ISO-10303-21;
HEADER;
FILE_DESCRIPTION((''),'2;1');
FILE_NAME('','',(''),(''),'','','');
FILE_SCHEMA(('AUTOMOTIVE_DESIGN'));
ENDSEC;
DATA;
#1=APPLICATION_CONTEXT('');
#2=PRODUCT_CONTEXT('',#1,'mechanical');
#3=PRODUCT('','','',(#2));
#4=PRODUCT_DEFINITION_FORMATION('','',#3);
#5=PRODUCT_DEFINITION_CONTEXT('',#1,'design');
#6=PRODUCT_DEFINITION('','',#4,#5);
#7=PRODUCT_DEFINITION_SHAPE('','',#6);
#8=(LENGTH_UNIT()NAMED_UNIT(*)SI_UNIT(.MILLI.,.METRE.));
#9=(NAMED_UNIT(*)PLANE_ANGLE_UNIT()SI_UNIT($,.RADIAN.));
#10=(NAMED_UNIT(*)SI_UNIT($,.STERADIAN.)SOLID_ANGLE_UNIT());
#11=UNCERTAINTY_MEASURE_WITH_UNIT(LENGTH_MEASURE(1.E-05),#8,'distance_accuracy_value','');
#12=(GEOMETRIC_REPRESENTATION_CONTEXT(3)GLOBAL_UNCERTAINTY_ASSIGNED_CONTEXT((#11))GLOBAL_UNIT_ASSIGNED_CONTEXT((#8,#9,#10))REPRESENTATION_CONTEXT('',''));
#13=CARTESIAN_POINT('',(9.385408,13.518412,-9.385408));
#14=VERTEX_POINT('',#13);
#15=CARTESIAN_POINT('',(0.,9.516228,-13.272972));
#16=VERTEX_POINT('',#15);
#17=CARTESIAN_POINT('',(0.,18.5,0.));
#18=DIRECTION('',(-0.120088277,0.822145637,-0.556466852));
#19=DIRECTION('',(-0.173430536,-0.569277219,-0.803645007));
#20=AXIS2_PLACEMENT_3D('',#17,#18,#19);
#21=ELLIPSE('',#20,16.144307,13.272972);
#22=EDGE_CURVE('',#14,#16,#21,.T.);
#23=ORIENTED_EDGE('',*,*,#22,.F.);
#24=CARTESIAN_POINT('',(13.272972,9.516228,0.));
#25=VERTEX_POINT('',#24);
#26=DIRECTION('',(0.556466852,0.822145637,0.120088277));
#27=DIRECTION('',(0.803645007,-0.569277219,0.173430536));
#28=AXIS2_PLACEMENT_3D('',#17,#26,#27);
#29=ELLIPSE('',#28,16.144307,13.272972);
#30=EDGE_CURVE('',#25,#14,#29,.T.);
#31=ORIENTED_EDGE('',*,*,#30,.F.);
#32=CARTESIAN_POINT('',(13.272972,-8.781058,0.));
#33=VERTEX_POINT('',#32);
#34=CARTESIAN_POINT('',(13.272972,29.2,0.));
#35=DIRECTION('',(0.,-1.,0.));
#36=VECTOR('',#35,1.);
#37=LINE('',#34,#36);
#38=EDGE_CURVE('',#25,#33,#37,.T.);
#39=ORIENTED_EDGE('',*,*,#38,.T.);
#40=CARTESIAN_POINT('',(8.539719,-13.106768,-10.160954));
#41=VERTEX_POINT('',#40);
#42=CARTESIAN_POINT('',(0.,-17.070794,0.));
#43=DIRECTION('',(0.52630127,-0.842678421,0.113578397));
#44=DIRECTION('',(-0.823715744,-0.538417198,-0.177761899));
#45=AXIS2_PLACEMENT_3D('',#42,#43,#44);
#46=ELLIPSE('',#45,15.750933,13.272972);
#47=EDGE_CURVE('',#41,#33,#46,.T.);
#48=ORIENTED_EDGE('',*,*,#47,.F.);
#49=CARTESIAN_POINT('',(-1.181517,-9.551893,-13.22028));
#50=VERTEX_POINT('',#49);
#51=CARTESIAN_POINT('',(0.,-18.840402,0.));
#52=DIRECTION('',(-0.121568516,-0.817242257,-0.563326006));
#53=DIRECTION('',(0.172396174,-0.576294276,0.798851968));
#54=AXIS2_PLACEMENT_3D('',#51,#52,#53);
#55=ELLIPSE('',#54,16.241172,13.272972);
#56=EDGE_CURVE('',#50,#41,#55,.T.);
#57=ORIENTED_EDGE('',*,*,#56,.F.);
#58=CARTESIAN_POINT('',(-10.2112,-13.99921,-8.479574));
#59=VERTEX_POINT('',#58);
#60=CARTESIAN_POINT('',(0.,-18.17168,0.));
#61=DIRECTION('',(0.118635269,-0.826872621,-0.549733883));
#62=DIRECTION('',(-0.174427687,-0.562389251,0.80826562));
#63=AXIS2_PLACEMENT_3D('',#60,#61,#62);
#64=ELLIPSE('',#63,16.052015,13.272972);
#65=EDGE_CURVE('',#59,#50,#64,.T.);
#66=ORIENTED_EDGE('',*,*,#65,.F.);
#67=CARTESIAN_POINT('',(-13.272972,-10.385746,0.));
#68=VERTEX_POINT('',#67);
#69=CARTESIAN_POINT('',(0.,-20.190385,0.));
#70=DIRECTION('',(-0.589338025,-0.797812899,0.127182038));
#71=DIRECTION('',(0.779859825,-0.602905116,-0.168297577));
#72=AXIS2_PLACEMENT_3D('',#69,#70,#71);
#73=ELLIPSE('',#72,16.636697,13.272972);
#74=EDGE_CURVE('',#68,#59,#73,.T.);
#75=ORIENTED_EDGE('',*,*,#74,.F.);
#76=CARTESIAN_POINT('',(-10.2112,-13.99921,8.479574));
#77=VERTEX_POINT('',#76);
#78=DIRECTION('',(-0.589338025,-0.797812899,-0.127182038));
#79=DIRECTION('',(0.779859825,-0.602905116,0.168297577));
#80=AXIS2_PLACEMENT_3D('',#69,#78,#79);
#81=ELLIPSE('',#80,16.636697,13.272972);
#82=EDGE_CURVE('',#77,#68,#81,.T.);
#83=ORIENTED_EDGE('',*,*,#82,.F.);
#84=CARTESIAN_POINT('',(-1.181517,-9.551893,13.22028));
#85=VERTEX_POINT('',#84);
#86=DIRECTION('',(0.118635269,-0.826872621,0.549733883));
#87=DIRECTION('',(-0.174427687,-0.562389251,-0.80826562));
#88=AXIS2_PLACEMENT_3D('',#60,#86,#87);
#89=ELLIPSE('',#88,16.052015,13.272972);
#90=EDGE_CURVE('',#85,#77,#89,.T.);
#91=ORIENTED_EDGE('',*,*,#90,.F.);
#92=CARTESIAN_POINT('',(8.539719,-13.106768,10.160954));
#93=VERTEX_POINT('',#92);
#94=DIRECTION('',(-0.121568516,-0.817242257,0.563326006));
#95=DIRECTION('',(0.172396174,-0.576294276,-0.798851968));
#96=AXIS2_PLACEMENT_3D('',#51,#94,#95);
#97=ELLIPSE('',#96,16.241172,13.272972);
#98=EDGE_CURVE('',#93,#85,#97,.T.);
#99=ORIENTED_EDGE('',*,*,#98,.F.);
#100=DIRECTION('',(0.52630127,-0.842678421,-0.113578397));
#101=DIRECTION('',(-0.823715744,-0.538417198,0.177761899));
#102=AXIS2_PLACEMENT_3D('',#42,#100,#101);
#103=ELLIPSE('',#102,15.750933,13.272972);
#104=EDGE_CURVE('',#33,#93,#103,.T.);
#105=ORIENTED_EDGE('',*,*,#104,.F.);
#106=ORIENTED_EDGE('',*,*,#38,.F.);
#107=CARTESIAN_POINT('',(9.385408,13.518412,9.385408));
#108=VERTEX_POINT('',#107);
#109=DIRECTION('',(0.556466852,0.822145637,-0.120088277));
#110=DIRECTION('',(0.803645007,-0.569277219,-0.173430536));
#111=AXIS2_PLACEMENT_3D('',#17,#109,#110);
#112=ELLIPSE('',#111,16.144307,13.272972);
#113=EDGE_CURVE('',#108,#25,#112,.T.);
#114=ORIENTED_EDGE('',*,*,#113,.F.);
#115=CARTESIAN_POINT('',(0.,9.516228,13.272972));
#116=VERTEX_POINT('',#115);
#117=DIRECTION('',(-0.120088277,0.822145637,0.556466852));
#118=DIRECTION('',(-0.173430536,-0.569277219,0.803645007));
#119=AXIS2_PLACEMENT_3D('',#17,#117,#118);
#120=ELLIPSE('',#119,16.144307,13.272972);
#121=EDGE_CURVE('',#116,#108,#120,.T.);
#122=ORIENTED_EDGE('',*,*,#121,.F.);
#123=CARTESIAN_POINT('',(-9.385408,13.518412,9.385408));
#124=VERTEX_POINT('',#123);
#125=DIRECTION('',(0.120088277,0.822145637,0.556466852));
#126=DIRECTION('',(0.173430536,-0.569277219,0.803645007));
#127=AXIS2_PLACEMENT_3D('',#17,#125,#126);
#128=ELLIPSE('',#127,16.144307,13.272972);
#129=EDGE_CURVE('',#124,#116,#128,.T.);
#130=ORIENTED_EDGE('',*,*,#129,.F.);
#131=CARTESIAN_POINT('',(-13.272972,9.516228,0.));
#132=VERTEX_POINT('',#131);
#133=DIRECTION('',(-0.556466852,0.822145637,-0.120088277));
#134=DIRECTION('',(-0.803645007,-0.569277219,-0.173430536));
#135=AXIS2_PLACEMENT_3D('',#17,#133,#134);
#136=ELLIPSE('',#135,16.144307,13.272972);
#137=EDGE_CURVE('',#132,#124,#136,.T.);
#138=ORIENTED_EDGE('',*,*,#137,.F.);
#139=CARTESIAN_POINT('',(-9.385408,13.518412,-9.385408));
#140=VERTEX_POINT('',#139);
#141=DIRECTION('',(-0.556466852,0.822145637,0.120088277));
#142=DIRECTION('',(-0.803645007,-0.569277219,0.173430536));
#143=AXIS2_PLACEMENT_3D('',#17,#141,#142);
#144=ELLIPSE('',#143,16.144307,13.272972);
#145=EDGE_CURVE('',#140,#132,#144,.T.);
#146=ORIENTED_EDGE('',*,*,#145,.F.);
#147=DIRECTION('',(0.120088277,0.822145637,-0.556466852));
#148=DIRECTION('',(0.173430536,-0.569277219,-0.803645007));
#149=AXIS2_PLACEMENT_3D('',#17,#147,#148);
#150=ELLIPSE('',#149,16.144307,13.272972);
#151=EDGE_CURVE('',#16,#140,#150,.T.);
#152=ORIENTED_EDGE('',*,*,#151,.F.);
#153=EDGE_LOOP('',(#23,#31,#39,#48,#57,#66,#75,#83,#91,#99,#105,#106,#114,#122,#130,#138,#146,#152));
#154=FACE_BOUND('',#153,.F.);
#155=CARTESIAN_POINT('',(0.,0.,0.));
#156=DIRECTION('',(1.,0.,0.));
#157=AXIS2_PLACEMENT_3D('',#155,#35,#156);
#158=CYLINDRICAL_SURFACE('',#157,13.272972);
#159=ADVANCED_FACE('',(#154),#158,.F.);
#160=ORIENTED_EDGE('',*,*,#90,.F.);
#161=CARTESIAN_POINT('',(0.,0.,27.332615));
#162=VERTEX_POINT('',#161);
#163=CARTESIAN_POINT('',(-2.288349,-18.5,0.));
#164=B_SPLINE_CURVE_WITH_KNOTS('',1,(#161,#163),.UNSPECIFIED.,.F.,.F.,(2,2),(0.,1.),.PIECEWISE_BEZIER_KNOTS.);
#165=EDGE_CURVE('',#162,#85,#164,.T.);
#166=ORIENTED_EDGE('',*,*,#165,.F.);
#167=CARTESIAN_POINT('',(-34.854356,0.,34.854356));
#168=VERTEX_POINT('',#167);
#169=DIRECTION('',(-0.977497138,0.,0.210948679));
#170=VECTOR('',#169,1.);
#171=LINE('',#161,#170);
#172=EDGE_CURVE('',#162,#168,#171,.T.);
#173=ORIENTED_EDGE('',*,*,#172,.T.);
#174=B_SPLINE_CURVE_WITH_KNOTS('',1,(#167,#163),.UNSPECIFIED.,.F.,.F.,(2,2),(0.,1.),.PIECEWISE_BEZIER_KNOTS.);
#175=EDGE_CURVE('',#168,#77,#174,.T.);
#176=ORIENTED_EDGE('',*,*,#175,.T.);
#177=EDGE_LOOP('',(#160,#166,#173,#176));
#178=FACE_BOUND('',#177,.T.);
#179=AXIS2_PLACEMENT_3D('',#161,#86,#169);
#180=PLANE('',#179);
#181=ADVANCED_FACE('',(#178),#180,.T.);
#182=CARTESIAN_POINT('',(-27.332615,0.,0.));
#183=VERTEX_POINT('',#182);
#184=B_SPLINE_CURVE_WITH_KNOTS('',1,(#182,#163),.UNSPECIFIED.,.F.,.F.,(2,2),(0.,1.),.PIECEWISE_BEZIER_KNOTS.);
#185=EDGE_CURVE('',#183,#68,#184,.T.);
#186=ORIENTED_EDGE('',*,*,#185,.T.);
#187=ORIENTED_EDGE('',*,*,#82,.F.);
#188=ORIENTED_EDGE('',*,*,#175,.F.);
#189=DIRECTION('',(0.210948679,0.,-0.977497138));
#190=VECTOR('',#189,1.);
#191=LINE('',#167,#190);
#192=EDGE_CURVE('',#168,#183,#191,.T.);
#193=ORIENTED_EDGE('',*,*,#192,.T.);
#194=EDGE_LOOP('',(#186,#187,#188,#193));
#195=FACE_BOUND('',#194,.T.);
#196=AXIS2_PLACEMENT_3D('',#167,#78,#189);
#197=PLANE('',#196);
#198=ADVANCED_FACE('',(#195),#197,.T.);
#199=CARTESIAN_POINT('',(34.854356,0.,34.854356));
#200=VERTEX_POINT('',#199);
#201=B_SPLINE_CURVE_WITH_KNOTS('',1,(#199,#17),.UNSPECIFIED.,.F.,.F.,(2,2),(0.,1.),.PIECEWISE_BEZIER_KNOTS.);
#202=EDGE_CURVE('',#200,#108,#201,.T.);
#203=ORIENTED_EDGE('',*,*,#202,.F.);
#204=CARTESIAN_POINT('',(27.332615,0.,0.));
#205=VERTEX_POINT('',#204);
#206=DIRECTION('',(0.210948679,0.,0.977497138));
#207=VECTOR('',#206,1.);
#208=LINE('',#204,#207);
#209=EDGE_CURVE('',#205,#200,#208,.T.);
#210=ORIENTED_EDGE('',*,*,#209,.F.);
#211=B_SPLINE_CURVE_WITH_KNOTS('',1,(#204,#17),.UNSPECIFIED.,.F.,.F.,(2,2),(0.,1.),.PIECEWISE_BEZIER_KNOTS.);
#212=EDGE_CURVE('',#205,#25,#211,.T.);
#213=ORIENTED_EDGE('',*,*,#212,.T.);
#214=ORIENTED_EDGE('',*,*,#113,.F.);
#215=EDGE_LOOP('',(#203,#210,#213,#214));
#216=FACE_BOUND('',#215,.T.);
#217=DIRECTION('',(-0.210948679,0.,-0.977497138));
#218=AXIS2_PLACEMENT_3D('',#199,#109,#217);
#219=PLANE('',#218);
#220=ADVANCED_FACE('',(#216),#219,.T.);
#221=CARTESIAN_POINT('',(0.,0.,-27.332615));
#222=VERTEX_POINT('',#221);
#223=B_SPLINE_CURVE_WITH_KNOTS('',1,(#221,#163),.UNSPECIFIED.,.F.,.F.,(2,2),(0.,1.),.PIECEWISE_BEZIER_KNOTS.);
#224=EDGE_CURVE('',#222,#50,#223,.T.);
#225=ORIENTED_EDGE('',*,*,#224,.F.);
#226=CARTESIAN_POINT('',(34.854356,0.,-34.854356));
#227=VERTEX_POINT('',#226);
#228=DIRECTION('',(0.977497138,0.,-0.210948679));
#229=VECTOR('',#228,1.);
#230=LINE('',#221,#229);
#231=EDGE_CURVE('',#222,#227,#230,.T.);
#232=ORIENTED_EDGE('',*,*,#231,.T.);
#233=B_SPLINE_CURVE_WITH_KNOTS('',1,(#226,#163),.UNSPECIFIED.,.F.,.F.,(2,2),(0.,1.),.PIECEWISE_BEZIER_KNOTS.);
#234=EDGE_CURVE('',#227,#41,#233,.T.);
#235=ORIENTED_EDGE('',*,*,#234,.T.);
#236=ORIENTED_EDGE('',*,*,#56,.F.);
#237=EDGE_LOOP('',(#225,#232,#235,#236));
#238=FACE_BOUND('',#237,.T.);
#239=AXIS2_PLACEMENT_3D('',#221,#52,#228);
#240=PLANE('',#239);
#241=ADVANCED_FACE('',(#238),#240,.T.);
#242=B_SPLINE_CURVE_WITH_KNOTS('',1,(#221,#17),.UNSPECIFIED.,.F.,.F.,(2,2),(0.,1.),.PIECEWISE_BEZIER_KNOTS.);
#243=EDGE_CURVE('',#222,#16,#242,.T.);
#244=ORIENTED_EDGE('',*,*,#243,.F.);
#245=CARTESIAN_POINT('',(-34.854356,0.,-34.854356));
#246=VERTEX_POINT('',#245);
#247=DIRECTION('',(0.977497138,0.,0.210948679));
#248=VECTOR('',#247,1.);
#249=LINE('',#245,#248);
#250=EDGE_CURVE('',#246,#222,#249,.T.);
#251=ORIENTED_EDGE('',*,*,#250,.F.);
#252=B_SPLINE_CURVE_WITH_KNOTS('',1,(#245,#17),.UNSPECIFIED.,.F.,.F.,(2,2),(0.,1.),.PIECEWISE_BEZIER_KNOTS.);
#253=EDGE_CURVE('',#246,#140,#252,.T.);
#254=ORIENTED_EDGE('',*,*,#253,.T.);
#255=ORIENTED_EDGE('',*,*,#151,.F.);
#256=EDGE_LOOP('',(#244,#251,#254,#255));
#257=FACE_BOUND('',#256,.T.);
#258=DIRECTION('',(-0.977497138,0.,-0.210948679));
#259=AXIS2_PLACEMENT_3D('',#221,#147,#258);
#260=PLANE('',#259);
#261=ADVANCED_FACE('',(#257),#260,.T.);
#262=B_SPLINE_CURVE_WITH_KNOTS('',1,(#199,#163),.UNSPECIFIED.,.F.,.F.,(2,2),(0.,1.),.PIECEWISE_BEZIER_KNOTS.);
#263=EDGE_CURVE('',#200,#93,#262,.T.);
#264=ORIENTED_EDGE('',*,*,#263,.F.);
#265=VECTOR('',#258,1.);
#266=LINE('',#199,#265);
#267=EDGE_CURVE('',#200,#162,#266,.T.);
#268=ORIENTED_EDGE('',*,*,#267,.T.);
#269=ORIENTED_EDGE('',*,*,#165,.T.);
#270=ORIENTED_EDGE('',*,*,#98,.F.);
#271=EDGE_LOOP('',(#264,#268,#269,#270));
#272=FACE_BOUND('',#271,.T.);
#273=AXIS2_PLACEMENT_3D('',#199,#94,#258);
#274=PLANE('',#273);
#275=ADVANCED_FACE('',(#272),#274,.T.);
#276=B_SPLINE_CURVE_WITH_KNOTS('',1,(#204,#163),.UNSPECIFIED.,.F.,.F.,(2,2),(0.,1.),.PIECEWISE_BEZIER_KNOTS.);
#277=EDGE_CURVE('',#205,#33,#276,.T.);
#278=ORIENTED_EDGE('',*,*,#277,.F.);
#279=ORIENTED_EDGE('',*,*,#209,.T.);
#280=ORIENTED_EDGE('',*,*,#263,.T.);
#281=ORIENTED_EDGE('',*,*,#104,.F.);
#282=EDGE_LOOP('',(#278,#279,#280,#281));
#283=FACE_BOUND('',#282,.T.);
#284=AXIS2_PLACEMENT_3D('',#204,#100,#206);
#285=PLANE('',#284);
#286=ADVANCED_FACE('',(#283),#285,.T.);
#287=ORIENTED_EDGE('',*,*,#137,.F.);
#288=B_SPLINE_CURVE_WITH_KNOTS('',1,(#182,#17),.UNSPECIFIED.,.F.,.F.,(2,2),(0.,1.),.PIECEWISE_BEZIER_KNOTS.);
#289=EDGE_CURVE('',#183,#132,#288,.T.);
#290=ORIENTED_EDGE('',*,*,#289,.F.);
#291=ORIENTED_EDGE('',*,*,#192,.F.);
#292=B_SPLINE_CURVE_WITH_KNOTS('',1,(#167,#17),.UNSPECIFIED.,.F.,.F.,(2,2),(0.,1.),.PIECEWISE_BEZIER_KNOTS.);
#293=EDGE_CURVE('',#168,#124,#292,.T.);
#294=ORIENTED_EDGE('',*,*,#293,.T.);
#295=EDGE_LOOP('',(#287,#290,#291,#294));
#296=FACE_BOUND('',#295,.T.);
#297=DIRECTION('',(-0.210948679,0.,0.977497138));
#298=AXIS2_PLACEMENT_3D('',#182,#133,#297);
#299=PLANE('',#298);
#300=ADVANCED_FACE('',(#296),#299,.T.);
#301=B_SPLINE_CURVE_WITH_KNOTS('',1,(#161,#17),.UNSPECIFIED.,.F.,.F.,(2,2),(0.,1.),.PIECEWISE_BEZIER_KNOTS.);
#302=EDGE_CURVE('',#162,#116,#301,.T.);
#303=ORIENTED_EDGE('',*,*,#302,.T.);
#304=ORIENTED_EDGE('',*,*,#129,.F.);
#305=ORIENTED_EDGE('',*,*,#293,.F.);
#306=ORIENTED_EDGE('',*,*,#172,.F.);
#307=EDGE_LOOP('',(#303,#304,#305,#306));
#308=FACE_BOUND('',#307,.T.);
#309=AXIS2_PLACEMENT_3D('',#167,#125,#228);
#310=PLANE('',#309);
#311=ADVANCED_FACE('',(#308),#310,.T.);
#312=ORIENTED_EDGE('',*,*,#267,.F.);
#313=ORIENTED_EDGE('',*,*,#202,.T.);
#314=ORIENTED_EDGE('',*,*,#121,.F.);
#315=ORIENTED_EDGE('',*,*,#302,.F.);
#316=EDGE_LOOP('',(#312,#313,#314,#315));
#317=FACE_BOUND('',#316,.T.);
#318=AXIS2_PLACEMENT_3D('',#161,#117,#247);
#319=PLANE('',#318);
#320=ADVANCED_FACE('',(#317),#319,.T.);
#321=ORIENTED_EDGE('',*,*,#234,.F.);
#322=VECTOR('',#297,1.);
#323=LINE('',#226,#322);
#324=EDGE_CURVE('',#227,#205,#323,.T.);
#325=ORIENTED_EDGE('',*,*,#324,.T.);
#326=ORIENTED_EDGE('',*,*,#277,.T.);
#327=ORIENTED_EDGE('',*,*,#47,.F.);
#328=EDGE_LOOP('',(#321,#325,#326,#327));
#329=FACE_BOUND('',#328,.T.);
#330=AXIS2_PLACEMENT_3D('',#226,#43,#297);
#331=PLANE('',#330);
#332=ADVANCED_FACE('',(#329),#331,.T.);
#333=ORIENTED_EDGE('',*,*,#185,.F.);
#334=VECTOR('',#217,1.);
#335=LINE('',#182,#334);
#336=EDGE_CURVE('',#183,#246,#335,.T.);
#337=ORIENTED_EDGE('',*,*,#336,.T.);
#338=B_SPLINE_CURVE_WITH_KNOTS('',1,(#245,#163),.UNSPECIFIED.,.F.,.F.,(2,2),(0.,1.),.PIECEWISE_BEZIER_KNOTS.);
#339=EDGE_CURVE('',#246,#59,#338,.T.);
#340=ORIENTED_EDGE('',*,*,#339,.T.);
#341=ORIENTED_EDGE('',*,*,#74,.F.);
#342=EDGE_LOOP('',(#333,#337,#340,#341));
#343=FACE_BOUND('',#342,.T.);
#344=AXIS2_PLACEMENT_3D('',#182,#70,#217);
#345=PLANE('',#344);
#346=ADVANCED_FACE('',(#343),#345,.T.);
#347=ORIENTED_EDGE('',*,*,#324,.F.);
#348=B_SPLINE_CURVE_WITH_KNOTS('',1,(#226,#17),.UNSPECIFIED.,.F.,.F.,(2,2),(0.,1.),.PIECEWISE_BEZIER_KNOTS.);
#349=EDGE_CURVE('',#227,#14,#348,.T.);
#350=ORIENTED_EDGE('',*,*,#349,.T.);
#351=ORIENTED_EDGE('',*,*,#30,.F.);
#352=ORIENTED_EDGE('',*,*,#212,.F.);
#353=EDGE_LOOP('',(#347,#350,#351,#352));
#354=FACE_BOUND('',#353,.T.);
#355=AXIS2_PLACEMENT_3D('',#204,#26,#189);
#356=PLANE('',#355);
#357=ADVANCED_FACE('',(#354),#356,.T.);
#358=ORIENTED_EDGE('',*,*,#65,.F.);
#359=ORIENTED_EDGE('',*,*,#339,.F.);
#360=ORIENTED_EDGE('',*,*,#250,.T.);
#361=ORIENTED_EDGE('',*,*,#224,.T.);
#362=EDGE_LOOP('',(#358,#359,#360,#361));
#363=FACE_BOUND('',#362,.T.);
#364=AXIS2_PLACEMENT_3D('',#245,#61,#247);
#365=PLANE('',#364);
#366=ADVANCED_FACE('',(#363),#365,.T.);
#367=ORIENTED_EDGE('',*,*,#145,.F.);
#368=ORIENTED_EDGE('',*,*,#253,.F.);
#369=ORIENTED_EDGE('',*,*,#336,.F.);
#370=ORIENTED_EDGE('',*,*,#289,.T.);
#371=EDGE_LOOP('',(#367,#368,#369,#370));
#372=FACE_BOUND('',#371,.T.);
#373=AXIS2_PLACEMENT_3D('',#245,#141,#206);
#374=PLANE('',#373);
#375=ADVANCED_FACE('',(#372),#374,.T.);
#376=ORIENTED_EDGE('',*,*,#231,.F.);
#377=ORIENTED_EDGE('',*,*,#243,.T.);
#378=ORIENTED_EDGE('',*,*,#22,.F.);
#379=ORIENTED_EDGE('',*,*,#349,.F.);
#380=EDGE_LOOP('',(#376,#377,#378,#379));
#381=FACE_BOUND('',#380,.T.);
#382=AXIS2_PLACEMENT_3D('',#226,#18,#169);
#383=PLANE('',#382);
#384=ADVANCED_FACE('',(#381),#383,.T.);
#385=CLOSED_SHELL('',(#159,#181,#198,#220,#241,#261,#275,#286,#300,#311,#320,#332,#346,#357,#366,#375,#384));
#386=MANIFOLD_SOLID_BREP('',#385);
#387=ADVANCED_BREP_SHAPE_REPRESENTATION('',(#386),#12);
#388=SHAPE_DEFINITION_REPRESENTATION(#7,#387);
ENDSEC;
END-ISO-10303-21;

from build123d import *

# Parameters (mm, degrees)
F7_R     = 13.2729716618
F8_DEPTH = 29.2


with BuildPart() as f3:
    # F0 (on Front) → F3 section 0
    with BuildSketch(Plane.XZ, mode=Mode.PRIVATE) as f3_s0:
        Polygon((-27.3326151073, 0), (-34.8543561995, -34.8543561995), (0, -27.3326151073), (34.8543561995, -34.8543561995), (27.3326151073, 0), (34.8543561995, 34.8543561995), (0, 27.3326151073), (-34.8543561995, 34.8543561995), align=None)
    loft([f3_s0.sketch, Vertex(-2.2883485071, -18.5, 0)])

    # F3_face (on face) → F6 section 0
    with BuildSketch(Plane(origin=(0, 0, 0), x_dir=(-1, 0, 0), z_dir=(0, 1, 0)), mode=Mode.PRIVATE) as f6_s0:
        Polygon((27.3326151073, 0), (34.8543561995, 34.8543561995), (0, 27.3326151073), (-34.8543561995, 34.8543561995), (-27.3326151073, 0), (-34.8543561995, -34.8543561995), (0, -27.3326151073), (34.8543561995, -34.8543561995), align=None)
    loft([f6_s0.sketch, Vertex(0, 18.5, 0)])

    # F7 (on Front) → F8 (cut, symmetric)
    with BuildSketch(Plane.XZ):
        Circle(F7_R)
    extrude(amount=F8_DEPTH, both=True, mode=Mode.SUBTRACT)


solid = f3.part
